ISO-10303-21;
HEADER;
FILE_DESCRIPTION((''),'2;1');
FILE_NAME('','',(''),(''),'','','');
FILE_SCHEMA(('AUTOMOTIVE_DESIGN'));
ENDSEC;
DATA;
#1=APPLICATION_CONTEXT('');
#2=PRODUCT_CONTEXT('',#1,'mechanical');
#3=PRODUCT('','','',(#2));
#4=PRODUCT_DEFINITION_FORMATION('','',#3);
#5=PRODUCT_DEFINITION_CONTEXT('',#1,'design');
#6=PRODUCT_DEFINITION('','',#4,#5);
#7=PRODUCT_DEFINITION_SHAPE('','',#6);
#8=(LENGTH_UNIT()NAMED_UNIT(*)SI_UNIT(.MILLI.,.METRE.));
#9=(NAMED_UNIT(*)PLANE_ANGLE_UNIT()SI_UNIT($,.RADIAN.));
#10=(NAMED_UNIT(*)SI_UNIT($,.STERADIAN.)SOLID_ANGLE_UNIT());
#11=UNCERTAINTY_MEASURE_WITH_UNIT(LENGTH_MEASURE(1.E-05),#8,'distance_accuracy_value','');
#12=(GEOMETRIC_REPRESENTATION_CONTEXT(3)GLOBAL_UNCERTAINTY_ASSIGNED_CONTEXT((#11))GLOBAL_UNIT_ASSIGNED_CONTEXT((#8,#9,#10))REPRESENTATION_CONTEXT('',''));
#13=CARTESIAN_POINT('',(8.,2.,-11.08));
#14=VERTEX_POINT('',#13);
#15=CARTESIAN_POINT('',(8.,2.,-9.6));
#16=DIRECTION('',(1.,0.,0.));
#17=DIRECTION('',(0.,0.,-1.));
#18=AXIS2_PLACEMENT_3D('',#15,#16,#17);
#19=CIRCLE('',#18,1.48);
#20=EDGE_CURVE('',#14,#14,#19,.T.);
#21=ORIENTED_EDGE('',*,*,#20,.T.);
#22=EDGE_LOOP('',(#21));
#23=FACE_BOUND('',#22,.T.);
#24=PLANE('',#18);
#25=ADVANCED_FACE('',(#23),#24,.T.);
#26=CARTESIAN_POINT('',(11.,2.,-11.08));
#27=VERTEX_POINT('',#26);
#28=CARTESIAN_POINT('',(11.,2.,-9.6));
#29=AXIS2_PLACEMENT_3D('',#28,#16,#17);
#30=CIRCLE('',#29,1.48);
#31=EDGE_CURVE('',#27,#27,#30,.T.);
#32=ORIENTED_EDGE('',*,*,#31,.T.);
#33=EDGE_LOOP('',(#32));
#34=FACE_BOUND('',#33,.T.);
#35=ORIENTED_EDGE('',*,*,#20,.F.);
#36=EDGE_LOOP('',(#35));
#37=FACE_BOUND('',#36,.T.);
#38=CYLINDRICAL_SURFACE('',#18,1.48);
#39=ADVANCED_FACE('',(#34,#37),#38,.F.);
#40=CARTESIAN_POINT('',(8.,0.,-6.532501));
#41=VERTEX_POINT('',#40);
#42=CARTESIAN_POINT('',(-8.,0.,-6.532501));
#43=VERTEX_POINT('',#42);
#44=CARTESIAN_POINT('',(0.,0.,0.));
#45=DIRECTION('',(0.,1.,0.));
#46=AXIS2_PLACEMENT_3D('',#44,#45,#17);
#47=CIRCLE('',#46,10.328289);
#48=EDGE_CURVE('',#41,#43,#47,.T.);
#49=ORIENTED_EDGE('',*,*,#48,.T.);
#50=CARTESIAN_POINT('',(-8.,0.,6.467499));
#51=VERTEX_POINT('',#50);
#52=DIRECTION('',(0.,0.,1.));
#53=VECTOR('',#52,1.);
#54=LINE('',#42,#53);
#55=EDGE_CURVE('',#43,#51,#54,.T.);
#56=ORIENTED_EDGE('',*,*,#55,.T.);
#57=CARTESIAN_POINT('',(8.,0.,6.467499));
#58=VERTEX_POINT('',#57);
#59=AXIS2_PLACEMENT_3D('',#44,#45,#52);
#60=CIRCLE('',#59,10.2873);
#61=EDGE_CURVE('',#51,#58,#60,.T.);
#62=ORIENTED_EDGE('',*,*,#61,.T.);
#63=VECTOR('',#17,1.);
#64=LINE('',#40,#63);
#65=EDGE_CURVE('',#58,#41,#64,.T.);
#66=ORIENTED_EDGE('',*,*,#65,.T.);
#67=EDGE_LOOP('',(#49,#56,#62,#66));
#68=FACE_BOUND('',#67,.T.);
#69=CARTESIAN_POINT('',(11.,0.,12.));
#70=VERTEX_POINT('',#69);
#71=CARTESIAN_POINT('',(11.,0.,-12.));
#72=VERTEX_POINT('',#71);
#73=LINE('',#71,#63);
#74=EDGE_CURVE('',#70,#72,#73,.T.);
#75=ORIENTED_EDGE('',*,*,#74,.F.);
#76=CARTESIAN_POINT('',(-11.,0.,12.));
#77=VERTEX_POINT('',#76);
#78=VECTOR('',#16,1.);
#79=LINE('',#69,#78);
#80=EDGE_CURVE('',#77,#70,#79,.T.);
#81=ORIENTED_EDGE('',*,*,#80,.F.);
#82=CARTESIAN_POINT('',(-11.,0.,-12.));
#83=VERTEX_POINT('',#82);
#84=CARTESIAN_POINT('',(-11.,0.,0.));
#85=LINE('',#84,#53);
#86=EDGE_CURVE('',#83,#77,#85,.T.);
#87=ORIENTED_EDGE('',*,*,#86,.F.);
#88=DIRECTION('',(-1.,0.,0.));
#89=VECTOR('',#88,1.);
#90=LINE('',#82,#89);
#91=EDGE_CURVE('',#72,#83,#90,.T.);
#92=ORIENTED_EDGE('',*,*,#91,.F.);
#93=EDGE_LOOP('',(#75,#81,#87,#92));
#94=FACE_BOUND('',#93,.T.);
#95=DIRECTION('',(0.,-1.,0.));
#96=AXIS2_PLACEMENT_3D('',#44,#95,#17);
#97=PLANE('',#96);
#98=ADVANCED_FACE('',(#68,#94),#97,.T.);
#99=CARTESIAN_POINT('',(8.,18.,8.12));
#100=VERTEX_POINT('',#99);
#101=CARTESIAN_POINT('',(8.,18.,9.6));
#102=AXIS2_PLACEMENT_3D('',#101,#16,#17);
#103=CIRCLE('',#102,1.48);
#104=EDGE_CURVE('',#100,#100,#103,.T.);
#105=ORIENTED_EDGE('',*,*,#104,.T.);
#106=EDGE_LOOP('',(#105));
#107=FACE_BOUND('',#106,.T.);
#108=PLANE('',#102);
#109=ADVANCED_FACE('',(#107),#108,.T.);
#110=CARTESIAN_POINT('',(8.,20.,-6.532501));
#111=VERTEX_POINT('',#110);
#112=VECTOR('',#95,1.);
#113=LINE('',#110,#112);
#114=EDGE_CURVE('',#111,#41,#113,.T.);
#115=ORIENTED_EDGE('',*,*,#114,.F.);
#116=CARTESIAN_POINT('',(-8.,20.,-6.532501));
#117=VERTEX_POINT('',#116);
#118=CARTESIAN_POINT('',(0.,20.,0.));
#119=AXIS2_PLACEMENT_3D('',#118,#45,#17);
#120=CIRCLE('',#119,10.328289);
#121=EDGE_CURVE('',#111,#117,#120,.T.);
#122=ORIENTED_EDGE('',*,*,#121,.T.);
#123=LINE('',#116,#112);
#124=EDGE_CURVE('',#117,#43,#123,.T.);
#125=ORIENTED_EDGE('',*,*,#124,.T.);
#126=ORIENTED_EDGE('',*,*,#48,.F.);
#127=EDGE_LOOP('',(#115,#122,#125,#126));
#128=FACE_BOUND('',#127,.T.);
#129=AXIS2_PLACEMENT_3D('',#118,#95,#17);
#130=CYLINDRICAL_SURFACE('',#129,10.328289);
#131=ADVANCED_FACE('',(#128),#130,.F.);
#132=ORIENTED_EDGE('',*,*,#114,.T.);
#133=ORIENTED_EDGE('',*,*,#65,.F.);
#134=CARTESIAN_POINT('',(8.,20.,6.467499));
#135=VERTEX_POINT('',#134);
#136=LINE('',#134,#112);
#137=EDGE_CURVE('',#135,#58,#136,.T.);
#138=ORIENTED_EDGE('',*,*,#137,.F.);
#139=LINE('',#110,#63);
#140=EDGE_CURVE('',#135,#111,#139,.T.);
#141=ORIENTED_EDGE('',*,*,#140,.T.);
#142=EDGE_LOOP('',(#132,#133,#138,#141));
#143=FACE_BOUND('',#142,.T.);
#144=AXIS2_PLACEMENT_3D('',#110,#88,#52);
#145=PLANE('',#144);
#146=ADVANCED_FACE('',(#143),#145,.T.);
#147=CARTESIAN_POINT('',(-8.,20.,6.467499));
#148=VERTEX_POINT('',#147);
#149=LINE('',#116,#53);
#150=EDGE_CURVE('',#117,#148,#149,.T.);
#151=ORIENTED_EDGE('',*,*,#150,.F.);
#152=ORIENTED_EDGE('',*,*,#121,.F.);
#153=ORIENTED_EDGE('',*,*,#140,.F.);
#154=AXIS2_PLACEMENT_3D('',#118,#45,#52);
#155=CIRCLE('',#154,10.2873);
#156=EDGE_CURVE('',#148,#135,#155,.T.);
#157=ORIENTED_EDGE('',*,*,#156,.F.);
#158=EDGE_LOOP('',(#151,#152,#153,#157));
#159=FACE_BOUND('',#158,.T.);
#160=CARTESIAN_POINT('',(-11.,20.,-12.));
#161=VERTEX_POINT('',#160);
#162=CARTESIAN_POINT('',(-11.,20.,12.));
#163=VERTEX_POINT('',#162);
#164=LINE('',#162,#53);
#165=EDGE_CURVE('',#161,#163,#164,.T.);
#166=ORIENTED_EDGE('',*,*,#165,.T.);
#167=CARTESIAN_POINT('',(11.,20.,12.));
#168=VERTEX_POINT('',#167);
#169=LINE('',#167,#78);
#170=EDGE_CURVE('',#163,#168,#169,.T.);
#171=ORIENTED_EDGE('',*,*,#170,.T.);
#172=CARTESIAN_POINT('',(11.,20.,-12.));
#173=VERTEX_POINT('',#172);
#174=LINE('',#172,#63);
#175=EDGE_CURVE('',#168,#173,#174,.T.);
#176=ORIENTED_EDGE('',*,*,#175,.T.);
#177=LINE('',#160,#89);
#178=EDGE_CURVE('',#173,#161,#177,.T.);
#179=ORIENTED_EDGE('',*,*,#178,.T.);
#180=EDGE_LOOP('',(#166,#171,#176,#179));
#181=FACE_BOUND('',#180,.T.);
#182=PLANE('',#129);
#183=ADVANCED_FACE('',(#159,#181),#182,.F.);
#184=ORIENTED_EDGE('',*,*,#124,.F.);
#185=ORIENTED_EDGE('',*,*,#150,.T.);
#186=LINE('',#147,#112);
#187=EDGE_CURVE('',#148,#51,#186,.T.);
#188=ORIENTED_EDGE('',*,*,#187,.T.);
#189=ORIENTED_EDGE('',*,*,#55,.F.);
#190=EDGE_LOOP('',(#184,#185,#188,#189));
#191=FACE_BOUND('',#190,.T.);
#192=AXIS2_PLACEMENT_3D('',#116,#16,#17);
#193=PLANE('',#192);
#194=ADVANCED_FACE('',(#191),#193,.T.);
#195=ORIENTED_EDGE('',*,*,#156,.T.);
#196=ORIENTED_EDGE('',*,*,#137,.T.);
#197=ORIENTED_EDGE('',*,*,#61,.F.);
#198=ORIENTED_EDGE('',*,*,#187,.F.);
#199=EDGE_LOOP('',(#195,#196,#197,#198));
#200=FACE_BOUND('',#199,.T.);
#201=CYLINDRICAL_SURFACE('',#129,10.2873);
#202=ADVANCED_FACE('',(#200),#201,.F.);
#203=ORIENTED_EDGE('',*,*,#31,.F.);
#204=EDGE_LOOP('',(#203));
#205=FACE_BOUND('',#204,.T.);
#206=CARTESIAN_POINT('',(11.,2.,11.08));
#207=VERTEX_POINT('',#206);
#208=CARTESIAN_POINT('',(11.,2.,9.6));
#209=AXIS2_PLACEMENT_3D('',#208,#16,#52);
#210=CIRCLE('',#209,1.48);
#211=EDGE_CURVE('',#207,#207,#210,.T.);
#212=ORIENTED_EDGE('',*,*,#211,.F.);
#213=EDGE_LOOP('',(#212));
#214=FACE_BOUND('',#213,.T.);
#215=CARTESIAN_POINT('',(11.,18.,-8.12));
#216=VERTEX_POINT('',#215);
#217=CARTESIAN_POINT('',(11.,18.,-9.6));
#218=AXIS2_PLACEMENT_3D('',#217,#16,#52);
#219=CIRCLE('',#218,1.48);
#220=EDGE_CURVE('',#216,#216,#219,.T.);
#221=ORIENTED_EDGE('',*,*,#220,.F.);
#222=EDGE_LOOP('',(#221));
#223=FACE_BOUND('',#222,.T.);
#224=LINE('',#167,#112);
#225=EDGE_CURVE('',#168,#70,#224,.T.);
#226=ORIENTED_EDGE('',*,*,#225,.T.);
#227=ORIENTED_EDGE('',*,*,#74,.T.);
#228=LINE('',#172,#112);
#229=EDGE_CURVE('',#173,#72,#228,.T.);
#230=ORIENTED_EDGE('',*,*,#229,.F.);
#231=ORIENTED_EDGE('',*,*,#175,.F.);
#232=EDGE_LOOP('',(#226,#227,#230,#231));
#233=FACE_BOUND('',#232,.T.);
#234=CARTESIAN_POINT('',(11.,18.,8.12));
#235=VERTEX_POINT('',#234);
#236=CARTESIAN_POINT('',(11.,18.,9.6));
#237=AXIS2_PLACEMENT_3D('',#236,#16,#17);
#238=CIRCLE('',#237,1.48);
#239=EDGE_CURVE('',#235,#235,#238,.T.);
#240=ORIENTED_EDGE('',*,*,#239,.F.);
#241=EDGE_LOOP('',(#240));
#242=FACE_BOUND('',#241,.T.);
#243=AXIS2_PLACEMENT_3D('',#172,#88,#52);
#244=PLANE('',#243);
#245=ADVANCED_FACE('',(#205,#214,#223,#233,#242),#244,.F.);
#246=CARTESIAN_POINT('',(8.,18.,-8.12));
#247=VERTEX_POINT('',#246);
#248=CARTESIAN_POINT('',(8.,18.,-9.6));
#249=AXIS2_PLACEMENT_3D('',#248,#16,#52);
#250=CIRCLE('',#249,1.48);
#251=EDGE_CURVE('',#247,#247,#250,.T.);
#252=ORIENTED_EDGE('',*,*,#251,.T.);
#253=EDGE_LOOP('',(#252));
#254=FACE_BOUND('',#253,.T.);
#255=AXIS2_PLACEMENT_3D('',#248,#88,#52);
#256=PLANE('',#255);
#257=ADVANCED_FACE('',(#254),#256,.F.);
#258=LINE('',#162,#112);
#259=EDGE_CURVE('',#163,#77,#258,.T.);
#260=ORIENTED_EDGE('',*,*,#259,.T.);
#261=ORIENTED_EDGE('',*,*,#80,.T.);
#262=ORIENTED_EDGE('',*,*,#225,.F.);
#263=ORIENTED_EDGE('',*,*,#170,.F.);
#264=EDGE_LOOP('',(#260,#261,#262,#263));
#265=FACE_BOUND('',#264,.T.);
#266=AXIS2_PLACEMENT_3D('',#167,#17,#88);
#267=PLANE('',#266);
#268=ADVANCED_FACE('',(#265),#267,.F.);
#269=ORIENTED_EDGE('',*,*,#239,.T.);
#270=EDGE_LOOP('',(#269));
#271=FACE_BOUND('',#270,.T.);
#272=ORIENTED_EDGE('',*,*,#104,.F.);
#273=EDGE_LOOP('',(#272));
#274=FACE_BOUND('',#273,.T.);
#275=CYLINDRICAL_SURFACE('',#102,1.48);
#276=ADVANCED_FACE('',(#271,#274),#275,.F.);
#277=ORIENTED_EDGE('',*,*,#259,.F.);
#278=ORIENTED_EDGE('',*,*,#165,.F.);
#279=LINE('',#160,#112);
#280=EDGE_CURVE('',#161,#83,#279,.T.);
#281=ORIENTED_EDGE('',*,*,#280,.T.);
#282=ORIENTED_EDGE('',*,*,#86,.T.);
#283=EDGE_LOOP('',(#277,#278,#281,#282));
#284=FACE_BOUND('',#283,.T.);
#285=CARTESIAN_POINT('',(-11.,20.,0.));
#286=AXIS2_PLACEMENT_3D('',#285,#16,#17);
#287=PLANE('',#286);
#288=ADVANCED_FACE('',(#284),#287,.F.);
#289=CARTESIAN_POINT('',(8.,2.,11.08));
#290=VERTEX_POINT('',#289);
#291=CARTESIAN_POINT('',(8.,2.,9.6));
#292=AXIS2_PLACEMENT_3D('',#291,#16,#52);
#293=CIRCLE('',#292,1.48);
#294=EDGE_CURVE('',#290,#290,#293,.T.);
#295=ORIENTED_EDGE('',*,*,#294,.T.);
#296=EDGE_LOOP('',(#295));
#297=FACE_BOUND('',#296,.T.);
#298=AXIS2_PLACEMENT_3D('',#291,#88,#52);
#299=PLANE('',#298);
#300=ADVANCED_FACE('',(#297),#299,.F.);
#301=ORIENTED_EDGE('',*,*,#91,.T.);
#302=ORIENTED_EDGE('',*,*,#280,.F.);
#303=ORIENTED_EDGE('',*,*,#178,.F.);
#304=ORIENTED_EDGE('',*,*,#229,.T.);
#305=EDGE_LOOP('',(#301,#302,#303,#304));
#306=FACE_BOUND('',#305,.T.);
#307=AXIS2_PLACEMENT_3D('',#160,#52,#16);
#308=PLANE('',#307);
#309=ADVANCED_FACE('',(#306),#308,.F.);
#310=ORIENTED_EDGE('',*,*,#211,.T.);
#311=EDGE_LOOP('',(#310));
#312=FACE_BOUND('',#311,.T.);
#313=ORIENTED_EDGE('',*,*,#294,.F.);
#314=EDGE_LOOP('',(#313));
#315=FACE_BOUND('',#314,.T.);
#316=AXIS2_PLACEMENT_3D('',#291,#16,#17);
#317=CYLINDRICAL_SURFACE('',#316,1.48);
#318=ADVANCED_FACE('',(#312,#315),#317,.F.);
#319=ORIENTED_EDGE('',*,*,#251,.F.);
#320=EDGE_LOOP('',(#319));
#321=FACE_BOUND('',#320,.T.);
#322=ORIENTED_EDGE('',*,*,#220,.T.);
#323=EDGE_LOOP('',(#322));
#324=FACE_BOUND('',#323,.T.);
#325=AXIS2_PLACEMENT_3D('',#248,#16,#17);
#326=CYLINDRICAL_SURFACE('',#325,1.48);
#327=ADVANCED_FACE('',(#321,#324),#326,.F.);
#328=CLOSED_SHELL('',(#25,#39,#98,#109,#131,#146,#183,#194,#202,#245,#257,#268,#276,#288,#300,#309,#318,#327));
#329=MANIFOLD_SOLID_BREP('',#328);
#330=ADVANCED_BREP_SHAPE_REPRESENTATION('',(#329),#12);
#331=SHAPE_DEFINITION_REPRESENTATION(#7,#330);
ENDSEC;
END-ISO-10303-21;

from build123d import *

# Parameters (mm, degrees)
BOSS_EXTRUDE1_DEPTH = 20
SKETCH2_R           = 1.48
CUT_EXTRUDE1_DEPTH  = 3


with BuildPart() as part:
    # Sketch1 → Boss-Extrude1 (new body)
    with BuildSketch(Plane(origin=(0, 0, 0), x_dir=(1, 0, 0), z_dir=(0, 1, 0))):
        Polygon((-11, 0), (-11, 12), (11, 12), (11, -12), (-11, -12), align=None)
        with BuildLine():
            Line((-8, 6.532500515), (-8, -6.467499485))
            ThreePointArc((-8, -6.467499485), (0, -10.287300403), (8, -6.467499485))
            Line((8, -6.467499485), (8, 6.532500515))
            ThreePointArc((8, 6.532500515), (0, 10.328289451), (-8, 6.532500515))
        make_face(mode=Mode.SUBTRACT)
    extrude(amount=BOSS_EXTRUDE1_DEPTH)

    # Sketch2 → Cut-Extrude1 (cut)
    with BuildSketch(Plane(origin=(11, 0, 0), x_dir=(0, 0, -1), z_dir=(1, 0, 0))):
        with Locations((-9.6, 18)):
            Circle(SKETCH2_R)
        with Locations((9.6, 18)):
            Circle(SKETCH2_R)
        with Locations((9.6, 2)):
            Circle(SKETCH2_R)
        with Locations((-9.6, 2)):
            Circle(SKETCH2_R)
    extrude(amount=-CUT_EXTRUDE1_DEPTH, mode=Mode.SUBTRACT)


solid = part.part
